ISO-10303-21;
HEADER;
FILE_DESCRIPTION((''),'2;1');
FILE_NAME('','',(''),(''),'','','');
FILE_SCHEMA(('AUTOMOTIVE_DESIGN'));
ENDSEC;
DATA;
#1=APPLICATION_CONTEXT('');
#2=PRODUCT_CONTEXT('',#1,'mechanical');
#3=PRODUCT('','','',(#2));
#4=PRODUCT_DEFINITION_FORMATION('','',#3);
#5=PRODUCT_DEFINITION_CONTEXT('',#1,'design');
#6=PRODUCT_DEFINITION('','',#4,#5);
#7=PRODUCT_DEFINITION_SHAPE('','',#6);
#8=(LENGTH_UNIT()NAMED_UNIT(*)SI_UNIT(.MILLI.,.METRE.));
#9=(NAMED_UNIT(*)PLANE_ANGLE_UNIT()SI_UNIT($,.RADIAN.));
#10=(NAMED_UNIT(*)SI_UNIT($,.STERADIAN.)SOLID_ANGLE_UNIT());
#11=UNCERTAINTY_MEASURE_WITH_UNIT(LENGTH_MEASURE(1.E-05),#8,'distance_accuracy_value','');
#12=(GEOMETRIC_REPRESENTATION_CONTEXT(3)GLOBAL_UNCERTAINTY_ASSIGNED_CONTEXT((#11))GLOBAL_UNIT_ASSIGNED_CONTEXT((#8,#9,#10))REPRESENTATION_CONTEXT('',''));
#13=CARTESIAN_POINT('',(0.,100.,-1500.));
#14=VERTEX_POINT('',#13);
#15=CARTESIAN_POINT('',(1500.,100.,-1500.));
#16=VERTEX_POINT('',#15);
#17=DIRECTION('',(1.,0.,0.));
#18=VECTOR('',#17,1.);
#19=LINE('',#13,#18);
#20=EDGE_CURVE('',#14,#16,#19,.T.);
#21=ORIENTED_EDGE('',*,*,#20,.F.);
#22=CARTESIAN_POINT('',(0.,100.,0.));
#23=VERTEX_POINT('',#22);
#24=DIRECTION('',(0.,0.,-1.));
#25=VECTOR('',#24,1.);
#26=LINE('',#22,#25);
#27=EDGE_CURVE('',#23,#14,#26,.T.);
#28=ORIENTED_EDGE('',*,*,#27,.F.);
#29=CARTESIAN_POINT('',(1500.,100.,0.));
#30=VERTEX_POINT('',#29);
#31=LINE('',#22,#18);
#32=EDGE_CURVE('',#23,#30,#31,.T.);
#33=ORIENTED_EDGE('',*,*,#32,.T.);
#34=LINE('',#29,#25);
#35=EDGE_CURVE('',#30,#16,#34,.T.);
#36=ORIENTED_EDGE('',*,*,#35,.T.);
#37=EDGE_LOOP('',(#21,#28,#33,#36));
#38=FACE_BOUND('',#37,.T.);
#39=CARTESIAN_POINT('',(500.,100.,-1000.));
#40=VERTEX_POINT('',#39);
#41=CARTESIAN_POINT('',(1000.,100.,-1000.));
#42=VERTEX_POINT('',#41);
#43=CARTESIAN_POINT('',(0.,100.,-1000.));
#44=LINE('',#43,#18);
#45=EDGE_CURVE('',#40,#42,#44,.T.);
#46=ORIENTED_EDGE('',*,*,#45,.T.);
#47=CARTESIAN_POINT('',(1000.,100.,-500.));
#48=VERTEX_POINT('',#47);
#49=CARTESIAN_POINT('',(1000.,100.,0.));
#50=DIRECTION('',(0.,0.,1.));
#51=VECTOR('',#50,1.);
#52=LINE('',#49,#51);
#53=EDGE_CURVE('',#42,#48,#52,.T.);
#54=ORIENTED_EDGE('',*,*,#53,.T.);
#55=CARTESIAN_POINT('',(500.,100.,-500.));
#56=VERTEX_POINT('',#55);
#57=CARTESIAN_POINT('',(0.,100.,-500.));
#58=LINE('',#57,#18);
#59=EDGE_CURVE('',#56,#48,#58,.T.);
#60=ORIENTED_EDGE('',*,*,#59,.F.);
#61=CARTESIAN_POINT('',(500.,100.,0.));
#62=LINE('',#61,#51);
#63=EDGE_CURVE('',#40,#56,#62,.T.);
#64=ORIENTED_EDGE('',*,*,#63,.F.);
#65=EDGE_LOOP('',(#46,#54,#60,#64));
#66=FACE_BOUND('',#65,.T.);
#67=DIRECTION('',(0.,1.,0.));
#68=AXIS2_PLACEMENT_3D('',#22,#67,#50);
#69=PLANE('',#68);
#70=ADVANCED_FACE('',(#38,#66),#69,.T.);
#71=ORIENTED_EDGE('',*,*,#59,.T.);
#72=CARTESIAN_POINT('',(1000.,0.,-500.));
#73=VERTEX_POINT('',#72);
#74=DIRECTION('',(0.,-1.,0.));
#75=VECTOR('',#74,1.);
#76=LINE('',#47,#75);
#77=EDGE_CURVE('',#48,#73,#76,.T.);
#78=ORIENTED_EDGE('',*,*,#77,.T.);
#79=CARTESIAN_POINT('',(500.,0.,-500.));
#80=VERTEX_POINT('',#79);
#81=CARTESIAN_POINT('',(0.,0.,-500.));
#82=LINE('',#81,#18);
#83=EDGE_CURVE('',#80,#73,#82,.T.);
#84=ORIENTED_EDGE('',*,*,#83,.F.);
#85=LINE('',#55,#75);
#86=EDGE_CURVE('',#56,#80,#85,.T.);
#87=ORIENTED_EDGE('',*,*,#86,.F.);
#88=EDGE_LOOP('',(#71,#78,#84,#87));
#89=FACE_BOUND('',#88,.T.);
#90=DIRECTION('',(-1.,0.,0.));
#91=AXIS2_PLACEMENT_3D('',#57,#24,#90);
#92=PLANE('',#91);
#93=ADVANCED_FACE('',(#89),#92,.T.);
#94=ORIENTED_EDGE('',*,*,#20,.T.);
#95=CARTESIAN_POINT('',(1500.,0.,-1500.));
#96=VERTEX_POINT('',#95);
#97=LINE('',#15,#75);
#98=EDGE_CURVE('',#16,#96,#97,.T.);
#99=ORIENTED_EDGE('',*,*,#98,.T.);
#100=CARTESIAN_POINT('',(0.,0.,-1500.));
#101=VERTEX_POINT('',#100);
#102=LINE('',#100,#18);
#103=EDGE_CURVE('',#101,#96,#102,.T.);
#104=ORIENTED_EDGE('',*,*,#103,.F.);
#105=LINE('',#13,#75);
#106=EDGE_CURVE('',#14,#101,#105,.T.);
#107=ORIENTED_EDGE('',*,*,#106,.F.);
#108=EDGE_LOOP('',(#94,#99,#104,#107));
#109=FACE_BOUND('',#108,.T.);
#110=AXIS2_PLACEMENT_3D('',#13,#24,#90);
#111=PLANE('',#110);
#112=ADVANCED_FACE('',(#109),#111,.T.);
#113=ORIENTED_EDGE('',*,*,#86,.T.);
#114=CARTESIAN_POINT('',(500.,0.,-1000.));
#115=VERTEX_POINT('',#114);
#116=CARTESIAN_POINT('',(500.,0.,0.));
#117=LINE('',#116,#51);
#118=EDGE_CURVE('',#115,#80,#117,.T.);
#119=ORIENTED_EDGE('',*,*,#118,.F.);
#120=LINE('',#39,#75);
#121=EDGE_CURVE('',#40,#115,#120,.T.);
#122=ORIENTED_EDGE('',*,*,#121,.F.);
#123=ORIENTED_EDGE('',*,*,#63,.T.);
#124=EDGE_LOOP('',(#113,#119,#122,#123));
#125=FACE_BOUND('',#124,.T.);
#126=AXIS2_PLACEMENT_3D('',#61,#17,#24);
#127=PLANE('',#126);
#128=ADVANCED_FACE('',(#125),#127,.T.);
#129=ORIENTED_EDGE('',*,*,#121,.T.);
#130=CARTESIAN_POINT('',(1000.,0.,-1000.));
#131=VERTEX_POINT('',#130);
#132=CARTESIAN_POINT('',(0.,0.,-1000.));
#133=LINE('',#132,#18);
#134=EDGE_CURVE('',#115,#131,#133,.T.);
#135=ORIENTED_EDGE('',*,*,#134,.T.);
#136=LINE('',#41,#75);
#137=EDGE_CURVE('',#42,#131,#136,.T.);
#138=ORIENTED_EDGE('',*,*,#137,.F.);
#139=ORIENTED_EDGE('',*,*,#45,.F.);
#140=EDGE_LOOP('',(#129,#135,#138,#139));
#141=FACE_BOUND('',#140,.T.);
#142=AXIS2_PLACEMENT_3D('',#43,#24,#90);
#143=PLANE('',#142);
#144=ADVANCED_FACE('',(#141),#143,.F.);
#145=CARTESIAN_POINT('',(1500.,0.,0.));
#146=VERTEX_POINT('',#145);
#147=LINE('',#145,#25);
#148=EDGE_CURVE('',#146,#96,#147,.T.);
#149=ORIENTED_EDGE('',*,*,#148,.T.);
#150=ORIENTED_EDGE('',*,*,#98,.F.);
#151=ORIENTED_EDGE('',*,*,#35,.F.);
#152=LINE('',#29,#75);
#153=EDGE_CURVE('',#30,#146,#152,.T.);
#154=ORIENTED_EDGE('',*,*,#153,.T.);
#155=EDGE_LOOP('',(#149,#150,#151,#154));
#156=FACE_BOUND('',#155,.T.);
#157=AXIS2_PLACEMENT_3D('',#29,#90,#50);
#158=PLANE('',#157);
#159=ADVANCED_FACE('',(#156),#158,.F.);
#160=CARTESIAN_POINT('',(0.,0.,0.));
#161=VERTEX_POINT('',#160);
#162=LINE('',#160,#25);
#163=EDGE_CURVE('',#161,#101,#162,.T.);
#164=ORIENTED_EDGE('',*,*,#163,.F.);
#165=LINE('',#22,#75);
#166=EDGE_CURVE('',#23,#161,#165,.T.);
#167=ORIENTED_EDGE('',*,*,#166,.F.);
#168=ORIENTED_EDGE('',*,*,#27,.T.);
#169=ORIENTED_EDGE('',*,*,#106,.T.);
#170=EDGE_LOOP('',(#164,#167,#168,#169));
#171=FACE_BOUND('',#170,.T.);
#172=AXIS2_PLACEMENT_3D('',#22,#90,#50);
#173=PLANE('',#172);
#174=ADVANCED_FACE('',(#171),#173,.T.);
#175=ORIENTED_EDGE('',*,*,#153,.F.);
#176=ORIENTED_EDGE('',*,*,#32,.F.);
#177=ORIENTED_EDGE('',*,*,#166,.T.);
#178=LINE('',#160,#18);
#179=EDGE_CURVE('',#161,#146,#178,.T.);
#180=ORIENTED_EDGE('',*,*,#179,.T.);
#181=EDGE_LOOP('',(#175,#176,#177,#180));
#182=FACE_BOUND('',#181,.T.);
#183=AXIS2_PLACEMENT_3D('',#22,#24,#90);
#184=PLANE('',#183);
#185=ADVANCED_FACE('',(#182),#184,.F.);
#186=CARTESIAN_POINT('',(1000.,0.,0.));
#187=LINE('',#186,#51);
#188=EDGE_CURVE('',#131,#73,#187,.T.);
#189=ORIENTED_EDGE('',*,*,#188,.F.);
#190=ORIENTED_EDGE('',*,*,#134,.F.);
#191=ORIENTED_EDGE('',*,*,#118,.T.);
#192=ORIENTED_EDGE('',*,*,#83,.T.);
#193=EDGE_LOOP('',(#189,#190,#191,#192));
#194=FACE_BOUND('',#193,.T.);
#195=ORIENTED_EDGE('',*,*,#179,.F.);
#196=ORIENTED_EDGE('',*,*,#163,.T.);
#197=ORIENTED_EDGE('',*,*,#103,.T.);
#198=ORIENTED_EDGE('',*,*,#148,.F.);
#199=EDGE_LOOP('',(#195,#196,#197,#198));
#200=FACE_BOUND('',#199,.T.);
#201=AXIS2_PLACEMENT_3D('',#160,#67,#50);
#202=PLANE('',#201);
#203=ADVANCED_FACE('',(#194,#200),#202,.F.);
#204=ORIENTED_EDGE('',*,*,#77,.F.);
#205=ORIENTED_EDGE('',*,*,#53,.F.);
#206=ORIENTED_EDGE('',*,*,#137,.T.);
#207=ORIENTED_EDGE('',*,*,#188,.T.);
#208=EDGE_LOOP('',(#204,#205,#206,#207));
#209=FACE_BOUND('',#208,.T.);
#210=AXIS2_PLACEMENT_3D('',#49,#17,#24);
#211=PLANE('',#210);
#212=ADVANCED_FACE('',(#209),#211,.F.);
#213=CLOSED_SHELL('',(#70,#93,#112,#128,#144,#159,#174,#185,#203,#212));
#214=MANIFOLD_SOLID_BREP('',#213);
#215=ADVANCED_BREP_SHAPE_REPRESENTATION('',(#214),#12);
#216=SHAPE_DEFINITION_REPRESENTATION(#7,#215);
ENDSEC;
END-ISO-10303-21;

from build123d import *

# Parameters (mm, degrees)
SKETCH1_W           = 1500
SKETCH1_H           = 1500
SKETCH1_W_2         = 500
SKETCH1_H_2         = 500
BOSS_EXTRUDE1_DEPTH = 100


with BuildPart() as part:
    # Sketch1 → Boss-Extrude1 (new body)
    with BuildSketch(Plane(origin=(0, 0, 0), x_dir=(1, 0, 0), z_dir=(0, 1, 0))):
        with Locations((750, 750)):
            Rectangle(SKETCH1_W, SKETCH1_H)
        with Locations((750, 750)):
            Rectangle(SKETCH1_W_2, SKETCH1_H_2, mode=Mode.SUBTRACT)
    extrude(amount=BOSS_EXTRUDE1_DEPTH)


solid = part.part
